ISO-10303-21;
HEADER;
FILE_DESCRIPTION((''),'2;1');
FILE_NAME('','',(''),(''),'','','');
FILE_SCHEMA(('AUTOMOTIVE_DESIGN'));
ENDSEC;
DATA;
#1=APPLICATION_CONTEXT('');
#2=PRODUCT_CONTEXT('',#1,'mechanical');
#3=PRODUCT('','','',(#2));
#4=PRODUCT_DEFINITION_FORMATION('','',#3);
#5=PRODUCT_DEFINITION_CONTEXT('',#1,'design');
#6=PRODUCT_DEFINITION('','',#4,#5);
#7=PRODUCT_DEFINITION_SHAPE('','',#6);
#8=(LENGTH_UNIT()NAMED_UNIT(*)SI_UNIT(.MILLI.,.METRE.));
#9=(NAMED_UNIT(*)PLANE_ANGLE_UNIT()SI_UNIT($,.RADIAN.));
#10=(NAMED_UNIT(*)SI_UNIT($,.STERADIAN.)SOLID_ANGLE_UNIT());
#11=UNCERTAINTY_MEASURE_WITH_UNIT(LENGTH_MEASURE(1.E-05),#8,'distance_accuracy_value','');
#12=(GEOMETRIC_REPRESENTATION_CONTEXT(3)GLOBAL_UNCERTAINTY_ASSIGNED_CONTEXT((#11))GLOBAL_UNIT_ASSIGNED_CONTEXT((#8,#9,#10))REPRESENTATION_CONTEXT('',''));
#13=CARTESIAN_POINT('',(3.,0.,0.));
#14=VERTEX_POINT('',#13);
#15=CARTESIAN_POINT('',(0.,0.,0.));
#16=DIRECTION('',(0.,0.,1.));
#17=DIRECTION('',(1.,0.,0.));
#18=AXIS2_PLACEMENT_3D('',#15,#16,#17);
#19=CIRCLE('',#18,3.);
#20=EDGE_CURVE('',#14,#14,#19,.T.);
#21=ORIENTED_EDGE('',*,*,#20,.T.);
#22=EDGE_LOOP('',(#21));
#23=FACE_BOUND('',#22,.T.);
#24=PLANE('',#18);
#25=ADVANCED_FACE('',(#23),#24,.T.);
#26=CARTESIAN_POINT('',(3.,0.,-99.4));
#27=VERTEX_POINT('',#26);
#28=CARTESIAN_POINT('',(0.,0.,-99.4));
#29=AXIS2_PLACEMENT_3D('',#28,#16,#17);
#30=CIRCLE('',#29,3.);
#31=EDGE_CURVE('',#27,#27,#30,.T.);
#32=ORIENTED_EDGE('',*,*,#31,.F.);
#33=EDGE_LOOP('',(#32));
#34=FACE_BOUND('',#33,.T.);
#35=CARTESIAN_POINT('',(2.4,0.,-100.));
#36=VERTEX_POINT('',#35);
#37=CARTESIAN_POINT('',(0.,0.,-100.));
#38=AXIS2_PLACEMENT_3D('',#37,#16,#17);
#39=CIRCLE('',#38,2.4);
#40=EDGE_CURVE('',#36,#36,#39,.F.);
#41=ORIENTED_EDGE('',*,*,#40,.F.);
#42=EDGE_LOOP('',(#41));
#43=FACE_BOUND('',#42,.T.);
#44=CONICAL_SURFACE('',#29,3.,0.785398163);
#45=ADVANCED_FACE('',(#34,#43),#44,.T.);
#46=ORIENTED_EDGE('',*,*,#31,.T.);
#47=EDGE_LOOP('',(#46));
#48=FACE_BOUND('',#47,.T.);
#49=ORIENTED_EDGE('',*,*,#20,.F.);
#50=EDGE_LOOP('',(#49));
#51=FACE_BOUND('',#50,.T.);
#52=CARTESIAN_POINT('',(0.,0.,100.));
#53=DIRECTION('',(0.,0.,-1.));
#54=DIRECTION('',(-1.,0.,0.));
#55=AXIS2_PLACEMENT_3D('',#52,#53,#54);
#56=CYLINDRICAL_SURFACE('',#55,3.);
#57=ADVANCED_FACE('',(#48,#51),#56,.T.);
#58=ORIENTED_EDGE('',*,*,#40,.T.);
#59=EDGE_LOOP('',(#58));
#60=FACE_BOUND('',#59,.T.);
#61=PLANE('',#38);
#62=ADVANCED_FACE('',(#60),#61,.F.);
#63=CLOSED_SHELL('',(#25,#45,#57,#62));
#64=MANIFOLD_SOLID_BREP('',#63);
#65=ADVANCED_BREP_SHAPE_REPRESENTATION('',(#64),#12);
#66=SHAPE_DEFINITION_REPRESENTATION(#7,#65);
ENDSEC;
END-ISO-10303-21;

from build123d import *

# Parameters (mm, degrees)
SKETCH1_R          = 3
EXTRUDE1_DEPTH     = 100
CHAMFER1_SIZE      = 0.6
SKETCH3_R          = 10.435428451
CUT_EXTRUDE1_DEPTH = 100


with BuildPart() as part:
    # Sketch1 → Extrude1 (new, symmetric)
    with BuildSketch(Plane.XY):
        Circle(SKETCH1_R)
    extrude(amount=EXTRUDE1_DEPTH, both=True)

    # Chamfer1
    chamfer1_edges = [part.edges().sort_by_distance(p)[0] for p in [
        (-3, 0, -100),
        (-3, 0, 100),
    ]]
    chamfer(chamfer1_edges, length=CHAMFER1_SIZE)

    # Sketch3 → Cut-Extrude1 (cut)
    with BuildSketch(Plane.XY.offset(100)):
        Circle(SKETCH3_R)
    extrude(amount=-CUT_EXTRUDE1_DEPTH, mode=Mode.SUBTRACT)


solid = part.part
